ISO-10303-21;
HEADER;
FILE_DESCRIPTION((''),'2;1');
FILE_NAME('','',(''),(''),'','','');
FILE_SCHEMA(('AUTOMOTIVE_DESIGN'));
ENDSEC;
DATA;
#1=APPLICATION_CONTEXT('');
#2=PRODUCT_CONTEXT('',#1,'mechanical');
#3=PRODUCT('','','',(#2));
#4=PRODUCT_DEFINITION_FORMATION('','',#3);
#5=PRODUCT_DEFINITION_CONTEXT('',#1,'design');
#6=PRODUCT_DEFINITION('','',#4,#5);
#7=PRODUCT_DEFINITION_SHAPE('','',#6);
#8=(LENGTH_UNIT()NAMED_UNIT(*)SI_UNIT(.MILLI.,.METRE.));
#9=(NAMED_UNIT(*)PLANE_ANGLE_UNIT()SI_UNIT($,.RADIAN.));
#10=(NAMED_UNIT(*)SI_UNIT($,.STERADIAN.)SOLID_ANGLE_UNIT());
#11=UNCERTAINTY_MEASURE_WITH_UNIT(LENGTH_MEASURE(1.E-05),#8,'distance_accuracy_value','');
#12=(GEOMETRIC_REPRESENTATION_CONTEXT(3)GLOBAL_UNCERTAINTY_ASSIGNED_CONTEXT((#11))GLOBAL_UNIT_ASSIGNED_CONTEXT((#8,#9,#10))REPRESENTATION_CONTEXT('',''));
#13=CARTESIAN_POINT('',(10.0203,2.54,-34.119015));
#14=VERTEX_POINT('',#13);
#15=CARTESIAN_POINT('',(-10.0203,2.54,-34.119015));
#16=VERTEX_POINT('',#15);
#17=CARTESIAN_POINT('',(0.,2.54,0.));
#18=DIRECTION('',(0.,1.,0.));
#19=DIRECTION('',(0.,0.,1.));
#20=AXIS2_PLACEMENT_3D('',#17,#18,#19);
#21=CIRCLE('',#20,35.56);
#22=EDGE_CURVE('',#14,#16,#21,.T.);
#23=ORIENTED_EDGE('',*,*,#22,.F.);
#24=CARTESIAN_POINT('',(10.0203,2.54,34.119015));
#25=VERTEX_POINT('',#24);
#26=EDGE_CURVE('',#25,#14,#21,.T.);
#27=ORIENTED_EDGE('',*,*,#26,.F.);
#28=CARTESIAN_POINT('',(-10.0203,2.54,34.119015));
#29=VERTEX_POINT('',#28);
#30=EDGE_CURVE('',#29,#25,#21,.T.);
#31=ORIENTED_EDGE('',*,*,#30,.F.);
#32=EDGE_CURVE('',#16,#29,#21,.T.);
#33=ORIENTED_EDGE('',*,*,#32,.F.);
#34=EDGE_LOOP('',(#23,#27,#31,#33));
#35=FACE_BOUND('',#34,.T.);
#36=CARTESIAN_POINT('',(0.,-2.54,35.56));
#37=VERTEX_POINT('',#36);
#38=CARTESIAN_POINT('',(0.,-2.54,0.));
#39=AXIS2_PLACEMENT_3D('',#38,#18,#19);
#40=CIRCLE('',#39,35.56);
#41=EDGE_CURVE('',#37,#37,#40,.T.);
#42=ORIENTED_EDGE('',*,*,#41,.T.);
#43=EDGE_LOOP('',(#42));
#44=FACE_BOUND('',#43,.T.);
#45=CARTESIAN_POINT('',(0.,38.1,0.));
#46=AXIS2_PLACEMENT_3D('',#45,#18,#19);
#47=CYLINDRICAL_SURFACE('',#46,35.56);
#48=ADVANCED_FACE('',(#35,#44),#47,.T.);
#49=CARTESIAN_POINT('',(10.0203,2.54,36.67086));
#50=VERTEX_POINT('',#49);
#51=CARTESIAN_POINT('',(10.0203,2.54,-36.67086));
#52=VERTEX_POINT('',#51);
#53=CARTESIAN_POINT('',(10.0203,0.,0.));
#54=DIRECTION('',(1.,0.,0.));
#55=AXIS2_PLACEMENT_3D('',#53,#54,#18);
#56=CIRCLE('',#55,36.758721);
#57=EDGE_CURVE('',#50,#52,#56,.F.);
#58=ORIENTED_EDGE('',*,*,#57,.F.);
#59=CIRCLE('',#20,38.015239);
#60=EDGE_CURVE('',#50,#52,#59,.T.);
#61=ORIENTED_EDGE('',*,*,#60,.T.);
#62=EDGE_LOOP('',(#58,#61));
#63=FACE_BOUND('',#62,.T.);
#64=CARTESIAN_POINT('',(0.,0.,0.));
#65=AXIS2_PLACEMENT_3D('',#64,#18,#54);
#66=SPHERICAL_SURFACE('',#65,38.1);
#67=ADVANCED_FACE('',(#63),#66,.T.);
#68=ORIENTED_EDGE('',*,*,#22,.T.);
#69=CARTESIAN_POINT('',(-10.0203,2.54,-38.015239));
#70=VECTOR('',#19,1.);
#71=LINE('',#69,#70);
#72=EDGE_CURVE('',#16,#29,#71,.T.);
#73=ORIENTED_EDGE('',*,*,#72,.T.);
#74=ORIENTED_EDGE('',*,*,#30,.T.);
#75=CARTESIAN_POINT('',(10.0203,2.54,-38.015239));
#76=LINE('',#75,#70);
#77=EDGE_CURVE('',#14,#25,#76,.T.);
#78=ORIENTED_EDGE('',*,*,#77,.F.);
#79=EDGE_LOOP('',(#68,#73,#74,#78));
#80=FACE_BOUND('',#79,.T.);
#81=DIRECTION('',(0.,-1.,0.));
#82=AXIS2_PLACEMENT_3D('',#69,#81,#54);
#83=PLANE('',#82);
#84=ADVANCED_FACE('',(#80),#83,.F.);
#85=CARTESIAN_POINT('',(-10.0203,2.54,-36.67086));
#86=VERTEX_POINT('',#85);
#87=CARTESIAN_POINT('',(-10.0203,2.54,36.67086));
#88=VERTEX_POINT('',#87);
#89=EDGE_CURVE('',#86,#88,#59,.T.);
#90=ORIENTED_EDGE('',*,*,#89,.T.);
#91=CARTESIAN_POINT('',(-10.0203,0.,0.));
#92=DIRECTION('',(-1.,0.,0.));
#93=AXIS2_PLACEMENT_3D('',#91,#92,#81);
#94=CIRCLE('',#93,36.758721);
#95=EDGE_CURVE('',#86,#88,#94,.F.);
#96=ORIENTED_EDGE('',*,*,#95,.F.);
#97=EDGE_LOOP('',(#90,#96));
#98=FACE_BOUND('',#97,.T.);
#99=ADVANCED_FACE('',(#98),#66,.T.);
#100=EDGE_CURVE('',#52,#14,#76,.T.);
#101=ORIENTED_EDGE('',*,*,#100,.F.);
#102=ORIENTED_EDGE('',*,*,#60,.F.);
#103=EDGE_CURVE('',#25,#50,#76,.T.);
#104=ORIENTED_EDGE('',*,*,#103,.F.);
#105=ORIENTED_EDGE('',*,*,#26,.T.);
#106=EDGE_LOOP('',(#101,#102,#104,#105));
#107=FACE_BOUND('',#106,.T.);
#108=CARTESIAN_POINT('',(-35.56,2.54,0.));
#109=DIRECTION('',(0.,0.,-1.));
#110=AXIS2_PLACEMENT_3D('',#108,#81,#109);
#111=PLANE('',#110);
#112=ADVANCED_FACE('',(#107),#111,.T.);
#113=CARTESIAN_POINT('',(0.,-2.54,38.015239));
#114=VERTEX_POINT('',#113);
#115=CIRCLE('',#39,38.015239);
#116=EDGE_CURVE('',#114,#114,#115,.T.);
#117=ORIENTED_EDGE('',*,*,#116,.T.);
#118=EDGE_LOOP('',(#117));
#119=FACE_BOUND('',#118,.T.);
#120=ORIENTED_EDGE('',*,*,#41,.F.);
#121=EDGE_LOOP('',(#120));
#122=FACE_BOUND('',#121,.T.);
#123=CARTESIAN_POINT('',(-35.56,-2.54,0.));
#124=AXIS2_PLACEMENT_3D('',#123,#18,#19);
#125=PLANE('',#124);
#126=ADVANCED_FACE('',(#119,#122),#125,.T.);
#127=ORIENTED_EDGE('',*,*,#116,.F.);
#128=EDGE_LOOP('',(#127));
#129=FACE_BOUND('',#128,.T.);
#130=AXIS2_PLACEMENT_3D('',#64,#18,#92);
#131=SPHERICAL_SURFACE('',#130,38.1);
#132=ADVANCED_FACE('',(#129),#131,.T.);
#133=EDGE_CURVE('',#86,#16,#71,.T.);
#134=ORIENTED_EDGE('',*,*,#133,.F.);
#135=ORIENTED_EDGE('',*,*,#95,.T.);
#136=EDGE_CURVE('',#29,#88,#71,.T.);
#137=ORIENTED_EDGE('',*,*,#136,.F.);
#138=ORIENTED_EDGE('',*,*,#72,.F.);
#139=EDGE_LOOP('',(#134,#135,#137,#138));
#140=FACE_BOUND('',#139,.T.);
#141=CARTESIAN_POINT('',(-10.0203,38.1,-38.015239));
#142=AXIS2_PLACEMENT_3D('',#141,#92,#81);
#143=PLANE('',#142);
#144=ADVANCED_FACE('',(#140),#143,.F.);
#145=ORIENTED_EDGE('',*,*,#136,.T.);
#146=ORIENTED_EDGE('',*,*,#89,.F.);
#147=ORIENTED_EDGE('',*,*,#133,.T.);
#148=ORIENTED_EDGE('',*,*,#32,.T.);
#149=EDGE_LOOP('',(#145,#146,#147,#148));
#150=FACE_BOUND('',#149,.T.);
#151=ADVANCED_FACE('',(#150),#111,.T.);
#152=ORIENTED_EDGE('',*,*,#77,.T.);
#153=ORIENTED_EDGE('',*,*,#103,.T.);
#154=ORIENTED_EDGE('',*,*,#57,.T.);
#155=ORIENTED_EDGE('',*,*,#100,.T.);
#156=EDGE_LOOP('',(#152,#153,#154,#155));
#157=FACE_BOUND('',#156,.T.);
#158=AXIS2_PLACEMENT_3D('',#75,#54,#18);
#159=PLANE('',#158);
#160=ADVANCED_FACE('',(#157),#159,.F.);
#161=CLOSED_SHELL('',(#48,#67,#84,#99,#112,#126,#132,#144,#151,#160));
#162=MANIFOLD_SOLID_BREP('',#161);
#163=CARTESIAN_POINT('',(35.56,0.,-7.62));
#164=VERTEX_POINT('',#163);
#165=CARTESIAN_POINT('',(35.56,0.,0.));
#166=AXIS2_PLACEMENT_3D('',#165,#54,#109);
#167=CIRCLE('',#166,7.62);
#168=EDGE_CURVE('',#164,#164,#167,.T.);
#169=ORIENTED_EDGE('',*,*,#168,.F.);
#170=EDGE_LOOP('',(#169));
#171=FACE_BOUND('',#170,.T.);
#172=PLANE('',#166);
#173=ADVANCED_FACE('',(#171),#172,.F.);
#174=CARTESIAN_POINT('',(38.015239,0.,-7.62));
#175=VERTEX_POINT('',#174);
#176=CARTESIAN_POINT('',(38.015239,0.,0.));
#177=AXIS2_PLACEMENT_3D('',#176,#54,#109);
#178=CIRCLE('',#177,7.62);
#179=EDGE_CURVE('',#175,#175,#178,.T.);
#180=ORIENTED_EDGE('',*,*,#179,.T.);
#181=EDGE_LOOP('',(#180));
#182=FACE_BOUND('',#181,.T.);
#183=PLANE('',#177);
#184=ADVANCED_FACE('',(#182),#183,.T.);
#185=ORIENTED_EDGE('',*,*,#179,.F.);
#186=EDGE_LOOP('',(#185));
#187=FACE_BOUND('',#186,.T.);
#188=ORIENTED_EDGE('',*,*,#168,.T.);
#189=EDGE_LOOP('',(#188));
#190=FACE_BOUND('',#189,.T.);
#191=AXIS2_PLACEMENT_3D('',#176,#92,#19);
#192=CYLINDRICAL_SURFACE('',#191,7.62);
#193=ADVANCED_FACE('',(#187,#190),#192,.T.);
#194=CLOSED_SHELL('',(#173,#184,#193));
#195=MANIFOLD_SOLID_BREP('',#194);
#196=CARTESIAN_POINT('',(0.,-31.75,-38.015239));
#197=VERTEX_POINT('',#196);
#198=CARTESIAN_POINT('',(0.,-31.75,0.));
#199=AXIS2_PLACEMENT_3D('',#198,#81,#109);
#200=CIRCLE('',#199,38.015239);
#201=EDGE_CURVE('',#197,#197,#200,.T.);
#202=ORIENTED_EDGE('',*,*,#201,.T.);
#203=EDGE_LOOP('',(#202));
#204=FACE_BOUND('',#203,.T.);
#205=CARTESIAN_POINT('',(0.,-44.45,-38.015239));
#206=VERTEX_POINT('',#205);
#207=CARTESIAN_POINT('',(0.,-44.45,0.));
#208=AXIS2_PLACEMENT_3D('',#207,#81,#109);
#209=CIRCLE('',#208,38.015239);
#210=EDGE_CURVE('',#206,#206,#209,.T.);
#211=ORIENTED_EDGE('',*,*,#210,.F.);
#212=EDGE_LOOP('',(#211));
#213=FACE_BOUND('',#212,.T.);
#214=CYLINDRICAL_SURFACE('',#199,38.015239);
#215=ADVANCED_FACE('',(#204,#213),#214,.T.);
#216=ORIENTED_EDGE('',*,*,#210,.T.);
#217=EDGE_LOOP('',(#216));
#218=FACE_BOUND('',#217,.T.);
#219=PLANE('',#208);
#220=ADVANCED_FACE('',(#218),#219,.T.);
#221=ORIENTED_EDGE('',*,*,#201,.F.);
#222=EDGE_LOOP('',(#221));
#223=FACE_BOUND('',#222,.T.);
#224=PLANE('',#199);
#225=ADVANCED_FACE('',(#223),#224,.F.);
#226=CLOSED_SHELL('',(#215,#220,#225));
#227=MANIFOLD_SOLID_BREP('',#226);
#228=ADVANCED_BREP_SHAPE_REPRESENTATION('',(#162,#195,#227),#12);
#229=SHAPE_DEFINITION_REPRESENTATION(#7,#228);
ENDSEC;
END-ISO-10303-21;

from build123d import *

# Parameters (mm, degrees)
SKETCH4_R                = 7.62
BOSS_EXTRUDE3_DEPTH      = 2.455239
CUT_EXTRUDE1_DEPTH       = 66.893298597
CUT_EXTRUDE1_DEPTH_BACK  = 66.893298597
SKETCH5_W                = 20.0406
SKETCH5_H                = 35.56
BOSS_EXTRUDE4_DEPTH      = 6.35
BOSS_EXTRUDE4_DEPTH_BACK = 6.35
SKETCH6_R                = 38.01523905


with BuildPart() as part:
    # Sketch1 → Revolve1 (revolve)
    with BuildSketch(Plane.XY, mode=Mode.PRIVATE) as revolve1_sk:
        with BuildLine():
            Line((0, 38.1), (0, -38.1))
            ThreePointArc((0, -38.1), (-26.027254946, -27.824305921), (-38.01523905, -2.54))
            Line((-38.01523905, -2.54), (-35.56, -2.54))
            Line((-35.56, -2.54), (-35.56, 2.54))
            Line((-35.56, 2.54), (-38.01523905, 2.54))
            ThreePointArc((-38.01523905, 2.54), (-26.027254946, 27.824305921), (0, 38.1))
        make_face()
    revolve(revolve1_sk.sketch.rotate(Axis((0, 38.1, 0), (0, -1, 0)), 270), axis=Axis((0, 38.1, 0), (0, -1, 0)))

    # Sketch5 → Cut-Extrude1 (cut, two sides: drawn at the far end of the back side and taken through both)
    with BuildSketch(Plane.XY.offset(-CUT_EXTRUDE1_DEPTH_BACK)):
        with Locations((0, 20.32)):
            Rectangle(SKETCH5_W, SKETCH5_H)
    extrude(amount=CUT_EXTRUDE1_DEPTH + CUT_EXTRUDE1_DEPTH_BACK, mode=Mode.SUBTRACT)


with BuildPart() as body_2:
    # Sketch4 → Boss-Extrude3 (new, through all)
    with BuildSketch(Plane(origin=(35.56, 0, 0), x_dir=(0, 0, -1), z_dir=(1, 0, 0))):
        Circle(SKETCH4_R)
    extrude(amount=BOSS_EXTRUDE3_DEPTH)


with BuildPart() as body_3:
    # Sketch6 → Boss-Extrude4 (new, two sides: drawn at the far end of the back side and taken through both)
    with BuildSketch(Plane(origin=(0, -38.1, 0), x_dir=(-1, 0, 0), z_dir=(0, -1, 0)).offset(-BOSS_EXTRUDE4_DEPTH_BACK)):
        with Locations(Location((0, 0, 0), (0, 0, 90))):
            Circle(SKETCH6_R)
    extrude(amount=BOSS_EXTRUDE4_DEPTH + BOSS_EXTRUDE4_DEPTH_BACK)


solid = Compound([part.part, body_2.part, body_3.part])
